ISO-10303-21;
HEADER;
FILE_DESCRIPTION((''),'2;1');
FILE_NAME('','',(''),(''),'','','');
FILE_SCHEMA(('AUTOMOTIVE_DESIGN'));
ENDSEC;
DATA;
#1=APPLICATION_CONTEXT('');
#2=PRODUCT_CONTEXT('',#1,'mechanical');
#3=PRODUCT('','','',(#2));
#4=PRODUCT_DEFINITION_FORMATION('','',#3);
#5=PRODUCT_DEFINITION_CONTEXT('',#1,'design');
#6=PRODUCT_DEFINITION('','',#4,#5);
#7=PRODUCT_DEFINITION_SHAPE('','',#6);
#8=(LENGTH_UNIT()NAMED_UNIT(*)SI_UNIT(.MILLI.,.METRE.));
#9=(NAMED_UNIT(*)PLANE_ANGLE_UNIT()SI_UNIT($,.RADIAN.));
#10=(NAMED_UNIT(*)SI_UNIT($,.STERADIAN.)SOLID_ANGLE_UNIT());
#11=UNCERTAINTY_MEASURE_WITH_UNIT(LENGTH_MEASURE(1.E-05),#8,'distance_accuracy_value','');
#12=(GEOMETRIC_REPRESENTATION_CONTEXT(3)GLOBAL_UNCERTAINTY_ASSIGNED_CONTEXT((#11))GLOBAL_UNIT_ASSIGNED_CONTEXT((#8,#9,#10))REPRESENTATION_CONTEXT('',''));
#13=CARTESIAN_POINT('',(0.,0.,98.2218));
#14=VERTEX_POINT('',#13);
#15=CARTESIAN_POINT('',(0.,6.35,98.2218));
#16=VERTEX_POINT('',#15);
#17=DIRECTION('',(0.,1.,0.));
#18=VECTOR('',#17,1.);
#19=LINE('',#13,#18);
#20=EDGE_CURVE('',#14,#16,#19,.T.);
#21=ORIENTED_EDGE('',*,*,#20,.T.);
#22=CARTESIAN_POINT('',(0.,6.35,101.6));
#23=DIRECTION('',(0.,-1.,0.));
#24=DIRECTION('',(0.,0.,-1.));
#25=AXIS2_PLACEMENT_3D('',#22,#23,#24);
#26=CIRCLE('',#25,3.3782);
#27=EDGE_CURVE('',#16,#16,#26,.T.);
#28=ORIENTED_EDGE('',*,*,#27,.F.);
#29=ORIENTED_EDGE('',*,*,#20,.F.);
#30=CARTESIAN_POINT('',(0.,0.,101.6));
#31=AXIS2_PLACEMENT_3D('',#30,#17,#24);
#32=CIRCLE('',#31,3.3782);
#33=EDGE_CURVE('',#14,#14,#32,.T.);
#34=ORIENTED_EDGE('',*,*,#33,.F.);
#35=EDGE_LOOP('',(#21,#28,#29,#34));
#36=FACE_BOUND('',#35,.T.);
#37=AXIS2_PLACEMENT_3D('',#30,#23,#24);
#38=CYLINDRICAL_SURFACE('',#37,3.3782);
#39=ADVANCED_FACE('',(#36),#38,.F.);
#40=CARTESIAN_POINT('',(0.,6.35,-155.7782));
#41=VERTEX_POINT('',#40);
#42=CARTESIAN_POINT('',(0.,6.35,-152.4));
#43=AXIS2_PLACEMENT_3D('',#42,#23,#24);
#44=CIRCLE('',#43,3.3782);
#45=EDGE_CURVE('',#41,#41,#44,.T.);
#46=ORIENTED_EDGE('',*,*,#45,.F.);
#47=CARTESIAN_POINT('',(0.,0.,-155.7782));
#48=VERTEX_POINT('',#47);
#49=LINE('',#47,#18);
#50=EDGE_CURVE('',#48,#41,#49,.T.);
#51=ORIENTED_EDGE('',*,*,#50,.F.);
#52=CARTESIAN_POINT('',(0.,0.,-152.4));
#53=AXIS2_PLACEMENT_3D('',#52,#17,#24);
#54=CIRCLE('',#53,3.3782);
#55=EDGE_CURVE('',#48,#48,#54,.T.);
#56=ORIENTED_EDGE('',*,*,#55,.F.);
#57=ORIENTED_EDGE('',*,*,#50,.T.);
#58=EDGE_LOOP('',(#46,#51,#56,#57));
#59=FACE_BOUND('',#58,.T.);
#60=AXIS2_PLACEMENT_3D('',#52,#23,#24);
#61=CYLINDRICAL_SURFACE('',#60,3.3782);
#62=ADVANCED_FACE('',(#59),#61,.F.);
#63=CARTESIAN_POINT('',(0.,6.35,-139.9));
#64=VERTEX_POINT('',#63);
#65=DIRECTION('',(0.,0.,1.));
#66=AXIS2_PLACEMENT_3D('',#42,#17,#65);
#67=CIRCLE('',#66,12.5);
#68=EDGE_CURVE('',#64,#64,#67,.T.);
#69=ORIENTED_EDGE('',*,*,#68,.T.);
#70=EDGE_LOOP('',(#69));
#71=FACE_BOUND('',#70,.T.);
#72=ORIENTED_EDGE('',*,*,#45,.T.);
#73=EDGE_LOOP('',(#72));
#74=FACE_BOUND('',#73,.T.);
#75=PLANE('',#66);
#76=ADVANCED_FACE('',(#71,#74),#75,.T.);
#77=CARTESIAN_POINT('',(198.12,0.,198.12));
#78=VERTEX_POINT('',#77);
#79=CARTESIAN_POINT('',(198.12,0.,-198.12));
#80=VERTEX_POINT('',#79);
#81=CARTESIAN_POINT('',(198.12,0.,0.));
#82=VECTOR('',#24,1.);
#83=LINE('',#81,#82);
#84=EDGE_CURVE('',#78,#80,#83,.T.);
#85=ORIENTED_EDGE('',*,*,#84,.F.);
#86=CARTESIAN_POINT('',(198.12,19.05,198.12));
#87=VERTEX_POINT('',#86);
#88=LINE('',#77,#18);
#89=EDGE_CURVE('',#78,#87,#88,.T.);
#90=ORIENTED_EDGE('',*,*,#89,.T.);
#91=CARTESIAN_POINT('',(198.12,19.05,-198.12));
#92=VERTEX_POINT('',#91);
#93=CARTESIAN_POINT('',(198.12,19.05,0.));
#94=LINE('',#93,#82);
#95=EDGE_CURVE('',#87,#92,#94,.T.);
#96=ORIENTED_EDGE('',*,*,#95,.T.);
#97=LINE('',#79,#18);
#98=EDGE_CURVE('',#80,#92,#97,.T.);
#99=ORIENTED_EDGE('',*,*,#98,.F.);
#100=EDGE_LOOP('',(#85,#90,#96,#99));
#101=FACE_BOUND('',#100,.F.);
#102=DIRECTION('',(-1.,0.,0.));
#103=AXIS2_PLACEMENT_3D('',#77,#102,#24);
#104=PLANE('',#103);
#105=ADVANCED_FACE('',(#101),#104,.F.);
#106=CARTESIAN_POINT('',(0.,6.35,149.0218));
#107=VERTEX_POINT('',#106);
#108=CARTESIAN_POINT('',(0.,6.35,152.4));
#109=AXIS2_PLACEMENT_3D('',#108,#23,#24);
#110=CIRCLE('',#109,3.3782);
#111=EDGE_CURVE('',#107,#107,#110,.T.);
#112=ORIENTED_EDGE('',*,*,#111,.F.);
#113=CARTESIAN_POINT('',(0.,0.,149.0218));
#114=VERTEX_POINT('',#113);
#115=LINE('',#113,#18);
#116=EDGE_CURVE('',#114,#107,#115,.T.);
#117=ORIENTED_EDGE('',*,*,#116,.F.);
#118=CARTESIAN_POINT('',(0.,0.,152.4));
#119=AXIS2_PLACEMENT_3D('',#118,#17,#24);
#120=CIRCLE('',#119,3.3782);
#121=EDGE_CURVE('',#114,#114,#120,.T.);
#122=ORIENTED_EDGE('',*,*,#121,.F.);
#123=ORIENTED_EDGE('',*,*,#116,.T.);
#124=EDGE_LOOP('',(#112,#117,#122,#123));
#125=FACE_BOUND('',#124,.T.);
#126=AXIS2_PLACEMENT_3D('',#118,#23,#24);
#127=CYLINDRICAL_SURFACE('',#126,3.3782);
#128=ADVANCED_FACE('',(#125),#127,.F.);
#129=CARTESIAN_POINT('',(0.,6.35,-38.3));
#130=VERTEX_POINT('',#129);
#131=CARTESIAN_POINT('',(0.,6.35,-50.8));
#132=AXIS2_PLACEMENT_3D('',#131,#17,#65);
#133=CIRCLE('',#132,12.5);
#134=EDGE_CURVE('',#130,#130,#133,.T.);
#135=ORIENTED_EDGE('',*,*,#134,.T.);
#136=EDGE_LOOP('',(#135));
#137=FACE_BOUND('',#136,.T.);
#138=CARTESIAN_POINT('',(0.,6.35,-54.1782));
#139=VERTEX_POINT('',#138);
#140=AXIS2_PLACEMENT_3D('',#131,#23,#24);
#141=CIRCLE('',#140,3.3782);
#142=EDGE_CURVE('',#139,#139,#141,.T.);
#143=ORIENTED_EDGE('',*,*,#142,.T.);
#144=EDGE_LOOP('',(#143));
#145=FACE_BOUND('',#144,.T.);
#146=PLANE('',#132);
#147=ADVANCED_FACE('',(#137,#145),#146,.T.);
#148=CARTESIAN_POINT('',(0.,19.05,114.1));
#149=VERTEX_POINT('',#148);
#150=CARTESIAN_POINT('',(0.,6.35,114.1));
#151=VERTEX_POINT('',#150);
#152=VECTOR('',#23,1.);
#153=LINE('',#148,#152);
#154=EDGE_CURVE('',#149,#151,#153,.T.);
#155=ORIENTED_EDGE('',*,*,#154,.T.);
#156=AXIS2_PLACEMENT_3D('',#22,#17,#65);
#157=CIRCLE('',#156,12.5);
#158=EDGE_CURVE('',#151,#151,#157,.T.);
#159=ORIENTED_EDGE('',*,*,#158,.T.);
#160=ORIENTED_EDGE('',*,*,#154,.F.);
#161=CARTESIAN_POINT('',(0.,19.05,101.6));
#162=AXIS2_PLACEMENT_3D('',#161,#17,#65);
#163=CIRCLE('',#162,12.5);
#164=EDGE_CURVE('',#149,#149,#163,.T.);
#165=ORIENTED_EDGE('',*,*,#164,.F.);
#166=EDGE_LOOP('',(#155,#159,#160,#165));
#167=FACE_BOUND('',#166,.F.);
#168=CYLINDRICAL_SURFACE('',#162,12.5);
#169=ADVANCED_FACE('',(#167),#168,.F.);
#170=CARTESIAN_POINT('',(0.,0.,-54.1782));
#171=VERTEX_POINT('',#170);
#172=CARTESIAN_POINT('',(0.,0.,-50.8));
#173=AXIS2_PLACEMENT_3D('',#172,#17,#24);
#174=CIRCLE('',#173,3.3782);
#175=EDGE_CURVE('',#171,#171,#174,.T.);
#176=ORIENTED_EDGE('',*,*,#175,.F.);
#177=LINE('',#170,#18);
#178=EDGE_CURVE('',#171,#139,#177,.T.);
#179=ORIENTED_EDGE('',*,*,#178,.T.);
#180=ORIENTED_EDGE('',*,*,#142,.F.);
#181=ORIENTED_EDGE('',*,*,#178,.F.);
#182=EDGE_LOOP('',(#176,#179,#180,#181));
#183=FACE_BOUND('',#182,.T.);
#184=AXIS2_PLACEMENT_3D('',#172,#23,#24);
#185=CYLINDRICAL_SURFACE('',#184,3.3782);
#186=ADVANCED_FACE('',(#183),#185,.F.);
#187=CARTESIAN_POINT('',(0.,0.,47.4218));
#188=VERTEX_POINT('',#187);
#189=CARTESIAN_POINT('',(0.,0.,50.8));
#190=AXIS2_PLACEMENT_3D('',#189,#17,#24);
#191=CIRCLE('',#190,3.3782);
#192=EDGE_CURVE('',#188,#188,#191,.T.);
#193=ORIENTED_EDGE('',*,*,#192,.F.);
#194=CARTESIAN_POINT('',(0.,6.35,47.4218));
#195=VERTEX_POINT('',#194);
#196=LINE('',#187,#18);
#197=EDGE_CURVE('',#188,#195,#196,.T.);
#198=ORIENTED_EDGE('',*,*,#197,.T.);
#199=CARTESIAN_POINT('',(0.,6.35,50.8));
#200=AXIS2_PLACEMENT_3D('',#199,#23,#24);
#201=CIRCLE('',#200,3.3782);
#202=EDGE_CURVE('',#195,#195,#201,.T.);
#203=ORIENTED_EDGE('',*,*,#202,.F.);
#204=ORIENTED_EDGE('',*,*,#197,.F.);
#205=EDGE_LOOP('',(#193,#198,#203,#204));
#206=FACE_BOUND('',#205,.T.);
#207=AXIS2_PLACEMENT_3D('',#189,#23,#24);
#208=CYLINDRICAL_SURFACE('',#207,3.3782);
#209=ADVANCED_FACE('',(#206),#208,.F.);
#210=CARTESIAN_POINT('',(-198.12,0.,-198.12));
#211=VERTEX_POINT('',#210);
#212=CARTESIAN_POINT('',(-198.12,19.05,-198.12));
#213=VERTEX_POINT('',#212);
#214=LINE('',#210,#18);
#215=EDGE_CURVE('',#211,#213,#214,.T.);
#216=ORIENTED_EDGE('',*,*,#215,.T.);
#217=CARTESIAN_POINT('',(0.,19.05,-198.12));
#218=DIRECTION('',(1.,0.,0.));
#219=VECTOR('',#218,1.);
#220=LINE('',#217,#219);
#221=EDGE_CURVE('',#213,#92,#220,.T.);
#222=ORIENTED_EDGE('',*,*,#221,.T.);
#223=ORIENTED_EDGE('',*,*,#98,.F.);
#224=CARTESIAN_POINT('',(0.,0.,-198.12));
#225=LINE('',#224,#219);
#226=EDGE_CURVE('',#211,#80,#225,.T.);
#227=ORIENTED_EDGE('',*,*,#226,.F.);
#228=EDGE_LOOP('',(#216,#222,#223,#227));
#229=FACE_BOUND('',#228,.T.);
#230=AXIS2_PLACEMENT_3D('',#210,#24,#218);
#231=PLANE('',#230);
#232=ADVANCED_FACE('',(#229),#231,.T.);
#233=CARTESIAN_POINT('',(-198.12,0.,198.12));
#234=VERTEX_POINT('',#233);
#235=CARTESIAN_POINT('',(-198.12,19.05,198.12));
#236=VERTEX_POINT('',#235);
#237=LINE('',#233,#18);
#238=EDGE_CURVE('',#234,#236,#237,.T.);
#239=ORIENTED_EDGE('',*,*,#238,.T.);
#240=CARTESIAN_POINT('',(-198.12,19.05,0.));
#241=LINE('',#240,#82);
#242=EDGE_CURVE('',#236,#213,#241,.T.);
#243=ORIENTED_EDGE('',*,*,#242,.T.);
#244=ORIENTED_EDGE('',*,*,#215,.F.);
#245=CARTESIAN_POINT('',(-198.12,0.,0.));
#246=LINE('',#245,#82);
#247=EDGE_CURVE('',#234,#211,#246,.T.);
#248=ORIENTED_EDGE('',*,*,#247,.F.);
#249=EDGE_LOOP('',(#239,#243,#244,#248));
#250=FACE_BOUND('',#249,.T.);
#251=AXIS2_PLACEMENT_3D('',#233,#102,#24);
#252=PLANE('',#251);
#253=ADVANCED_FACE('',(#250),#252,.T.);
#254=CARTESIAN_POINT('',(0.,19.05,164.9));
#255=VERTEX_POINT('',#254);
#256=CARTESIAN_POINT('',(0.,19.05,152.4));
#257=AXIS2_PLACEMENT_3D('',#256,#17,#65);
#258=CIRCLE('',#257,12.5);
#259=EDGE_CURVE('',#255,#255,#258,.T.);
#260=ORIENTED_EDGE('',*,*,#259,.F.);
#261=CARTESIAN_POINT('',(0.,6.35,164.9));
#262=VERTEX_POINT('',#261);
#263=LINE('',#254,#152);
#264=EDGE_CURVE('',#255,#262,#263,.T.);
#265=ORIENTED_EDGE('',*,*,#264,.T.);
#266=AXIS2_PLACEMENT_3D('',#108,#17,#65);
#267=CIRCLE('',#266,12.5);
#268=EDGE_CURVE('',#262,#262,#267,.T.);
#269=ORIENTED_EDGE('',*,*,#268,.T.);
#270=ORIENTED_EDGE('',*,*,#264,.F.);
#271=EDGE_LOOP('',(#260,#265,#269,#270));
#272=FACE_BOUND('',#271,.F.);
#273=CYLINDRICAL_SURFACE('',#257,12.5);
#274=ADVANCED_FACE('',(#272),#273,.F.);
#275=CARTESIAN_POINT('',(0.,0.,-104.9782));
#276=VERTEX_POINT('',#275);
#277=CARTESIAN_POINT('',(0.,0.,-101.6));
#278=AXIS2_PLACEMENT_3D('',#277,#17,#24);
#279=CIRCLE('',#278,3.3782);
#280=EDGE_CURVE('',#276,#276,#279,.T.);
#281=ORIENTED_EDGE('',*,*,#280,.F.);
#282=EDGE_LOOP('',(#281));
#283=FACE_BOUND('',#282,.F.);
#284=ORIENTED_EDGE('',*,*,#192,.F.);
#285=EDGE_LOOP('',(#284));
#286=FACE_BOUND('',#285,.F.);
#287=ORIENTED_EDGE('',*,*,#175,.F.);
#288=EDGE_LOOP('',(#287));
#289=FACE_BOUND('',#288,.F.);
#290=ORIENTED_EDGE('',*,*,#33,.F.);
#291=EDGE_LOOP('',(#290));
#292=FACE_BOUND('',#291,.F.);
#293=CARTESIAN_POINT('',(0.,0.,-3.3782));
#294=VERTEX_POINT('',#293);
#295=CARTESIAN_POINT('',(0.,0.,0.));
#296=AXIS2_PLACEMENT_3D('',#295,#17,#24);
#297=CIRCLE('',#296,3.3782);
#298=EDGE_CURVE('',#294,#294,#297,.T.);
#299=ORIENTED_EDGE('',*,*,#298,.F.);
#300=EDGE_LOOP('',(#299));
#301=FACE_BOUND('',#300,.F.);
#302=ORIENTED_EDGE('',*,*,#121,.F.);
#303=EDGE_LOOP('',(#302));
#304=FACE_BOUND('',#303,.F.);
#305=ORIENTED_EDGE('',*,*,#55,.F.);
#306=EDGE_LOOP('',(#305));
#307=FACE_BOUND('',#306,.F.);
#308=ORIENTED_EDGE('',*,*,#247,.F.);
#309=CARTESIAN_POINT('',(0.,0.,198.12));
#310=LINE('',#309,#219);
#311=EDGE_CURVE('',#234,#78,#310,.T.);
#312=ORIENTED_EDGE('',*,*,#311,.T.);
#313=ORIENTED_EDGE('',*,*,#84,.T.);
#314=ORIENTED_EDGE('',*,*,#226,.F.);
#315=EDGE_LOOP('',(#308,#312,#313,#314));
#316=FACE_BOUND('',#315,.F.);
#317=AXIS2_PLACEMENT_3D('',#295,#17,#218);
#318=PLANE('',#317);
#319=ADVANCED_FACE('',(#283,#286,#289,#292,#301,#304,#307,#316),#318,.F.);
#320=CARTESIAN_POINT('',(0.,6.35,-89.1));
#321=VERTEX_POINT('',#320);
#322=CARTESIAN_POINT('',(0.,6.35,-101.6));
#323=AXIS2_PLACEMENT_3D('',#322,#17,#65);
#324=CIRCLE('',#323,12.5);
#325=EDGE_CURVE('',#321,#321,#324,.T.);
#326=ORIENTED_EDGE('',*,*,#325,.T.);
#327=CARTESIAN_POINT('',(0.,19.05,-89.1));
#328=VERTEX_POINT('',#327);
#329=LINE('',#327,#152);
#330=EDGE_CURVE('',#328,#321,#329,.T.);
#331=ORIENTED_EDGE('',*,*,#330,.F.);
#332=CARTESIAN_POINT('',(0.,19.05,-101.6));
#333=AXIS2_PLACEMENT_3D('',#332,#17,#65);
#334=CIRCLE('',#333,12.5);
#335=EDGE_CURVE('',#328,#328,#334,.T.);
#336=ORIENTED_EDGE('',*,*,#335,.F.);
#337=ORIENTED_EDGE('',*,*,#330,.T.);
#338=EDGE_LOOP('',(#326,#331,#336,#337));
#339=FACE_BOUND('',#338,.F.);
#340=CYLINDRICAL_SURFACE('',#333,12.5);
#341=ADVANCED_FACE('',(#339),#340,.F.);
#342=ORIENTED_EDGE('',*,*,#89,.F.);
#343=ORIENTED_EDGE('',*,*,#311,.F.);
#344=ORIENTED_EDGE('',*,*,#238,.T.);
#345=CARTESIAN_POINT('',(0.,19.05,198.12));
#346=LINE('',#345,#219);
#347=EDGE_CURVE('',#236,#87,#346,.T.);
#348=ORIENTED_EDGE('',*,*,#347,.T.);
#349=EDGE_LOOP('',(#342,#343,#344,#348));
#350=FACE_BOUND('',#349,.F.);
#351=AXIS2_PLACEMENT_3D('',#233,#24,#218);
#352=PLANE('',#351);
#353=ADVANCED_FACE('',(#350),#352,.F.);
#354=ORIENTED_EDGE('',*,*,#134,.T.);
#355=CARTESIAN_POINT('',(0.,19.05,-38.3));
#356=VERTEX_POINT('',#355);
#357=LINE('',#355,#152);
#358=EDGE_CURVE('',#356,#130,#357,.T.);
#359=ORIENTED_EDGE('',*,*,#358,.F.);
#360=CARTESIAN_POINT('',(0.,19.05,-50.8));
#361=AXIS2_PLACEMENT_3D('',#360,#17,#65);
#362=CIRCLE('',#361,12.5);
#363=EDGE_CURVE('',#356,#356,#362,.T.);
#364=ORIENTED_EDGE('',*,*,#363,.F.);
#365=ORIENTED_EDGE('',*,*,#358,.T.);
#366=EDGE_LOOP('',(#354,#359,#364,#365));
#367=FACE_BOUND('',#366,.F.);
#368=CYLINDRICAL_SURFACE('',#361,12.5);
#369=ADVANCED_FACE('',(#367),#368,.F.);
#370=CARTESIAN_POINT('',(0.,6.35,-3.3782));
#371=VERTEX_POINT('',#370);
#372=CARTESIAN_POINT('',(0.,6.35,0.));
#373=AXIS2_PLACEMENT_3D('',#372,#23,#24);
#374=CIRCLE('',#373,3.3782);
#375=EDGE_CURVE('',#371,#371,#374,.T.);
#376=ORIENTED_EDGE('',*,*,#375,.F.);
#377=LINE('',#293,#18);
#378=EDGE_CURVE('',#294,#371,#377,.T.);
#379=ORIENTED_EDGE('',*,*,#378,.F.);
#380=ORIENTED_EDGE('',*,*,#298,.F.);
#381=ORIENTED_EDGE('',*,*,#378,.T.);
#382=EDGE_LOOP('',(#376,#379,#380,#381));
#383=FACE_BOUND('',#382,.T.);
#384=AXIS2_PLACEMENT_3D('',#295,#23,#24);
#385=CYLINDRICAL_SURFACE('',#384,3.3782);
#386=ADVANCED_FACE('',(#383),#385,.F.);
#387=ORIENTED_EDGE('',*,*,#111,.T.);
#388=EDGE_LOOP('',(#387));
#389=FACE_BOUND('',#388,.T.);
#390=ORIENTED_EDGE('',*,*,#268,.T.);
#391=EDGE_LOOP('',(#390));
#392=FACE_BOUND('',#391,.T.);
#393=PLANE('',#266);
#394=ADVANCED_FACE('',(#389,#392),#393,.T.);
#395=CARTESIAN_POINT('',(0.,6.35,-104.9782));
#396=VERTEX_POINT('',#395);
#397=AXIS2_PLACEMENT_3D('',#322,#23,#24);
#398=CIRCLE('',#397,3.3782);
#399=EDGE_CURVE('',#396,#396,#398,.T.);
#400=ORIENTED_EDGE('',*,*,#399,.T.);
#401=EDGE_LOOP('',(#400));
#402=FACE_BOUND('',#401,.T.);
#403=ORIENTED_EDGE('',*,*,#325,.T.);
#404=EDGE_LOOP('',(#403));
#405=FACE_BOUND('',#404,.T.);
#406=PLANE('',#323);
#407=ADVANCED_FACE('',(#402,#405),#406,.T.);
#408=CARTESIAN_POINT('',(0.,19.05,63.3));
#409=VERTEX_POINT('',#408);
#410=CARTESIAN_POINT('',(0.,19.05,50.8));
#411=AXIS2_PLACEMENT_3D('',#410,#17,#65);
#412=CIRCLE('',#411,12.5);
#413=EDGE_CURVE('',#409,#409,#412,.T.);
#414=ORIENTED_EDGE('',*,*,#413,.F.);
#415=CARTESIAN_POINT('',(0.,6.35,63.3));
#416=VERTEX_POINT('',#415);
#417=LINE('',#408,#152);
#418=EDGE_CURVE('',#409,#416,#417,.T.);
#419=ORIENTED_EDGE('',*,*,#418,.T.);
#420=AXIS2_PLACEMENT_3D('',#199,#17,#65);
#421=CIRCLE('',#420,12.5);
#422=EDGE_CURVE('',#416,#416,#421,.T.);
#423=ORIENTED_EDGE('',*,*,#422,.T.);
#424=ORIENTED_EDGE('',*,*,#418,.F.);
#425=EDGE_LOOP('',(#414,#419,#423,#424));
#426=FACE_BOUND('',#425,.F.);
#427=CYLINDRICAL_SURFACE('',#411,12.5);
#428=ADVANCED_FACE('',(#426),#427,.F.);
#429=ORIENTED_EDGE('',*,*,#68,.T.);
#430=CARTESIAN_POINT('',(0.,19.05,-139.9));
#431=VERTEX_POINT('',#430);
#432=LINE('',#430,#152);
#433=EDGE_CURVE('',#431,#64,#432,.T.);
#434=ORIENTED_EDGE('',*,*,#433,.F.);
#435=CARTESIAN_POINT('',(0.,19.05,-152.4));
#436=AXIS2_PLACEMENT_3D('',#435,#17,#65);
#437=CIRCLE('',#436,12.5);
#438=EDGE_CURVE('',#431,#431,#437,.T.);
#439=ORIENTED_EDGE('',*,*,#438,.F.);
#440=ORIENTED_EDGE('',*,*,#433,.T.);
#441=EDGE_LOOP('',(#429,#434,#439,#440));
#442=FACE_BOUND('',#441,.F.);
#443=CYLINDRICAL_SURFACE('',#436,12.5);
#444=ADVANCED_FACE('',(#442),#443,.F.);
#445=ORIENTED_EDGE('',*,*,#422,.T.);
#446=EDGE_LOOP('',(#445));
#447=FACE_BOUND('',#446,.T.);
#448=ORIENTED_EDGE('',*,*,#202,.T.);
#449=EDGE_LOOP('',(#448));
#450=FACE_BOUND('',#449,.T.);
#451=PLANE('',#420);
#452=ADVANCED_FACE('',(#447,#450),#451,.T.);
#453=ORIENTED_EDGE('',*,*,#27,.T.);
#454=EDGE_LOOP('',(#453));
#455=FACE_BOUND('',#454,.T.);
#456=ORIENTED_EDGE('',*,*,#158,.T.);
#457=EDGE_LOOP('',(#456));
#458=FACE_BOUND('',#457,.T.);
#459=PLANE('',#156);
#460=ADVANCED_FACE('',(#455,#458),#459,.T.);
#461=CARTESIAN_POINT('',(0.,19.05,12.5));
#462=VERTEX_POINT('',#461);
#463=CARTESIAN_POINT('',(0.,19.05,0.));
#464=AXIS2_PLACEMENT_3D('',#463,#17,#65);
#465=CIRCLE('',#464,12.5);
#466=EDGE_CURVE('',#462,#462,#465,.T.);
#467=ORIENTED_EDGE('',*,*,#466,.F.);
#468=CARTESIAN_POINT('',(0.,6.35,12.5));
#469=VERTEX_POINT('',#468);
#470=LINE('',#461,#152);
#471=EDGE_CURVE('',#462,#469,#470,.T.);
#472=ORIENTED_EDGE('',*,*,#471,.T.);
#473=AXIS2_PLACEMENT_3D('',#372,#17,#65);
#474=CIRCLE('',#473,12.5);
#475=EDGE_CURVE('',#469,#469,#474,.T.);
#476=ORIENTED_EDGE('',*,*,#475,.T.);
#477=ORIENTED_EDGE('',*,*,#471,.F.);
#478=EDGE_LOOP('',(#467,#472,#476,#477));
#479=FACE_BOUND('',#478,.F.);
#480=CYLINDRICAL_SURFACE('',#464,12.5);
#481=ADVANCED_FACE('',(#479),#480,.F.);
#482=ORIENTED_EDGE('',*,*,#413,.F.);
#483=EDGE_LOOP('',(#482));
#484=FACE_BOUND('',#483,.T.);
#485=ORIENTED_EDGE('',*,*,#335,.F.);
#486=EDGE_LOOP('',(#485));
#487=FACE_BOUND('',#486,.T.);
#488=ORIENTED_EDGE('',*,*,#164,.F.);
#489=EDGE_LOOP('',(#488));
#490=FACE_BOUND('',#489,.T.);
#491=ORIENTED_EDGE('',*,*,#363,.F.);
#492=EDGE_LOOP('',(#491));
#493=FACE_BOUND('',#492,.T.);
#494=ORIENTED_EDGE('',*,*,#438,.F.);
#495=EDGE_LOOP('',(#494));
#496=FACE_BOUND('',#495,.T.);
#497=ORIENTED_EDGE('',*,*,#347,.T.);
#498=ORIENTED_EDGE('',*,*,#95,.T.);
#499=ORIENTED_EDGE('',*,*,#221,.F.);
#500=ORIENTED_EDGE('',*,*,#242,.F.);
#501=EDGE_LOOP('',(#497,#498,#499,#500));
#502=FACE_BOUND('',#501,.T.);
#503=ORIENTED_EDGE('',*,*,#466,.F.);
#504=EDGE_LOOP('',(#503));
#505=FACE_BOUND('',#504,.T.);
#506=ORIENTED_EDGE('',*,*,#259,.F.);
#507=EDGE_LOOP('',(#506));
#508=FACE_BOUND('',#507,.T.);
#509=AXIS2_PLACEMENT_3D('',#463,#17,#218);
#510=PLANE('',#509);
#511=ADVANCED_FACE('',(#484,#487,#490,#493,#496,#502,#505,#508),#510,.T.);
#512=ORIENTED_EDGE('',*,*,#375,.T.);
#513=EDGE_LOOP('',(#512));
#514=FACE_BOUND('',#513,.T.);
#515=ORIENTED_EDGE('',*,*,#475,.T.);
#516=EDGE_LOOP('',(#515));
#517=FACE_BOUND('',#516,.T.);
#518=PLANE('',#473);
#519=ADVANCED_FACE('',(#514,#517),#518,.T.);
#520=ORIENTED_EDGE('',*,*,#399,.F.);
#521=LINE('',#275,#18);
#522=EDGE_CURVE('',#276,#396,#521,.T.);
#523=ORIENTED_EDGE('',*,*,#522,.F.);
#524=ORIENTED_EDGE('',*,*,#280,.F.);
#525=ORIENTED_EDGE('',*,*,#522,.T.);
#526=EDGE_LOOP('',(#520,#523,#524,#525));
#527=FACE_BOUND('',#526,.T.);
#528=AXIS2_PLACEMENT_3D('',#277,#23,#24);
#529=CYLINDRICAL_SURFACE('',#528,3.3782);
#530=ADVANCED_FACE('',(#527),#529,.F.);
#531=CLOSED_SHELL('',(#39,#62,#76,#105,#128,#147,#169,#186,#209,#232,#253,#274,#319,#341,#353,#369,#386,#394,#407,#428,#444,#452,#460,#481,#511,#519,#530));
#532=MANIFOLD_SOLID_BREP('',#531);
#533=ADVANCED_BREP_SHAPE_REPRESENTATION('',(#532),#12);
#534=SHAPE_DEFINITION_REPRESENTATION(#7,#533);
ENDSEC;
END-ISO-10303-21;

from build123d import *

# Parameters (mm, degrees)
SKETCH2_W         = 396.24
SKETCH2_H         = 396.24
SKETCH2_R         = 3.3782
BOLT_HOLES_DEPTH  = 19.05
SKETCH3_R         = 12.5
COUNTERBORE_DEPTH = 12.7


with BuildPart() as part:
    # Sketch2 → Bolt Holes (new body)
    with BuildSketch(Plane(origin=(0, 0, 0), x_dir=(1, 0, 0), z_dir=(0, 1, 0))):
        Rectangle(SKETCH2_W, SKETCH2_H)
        with Locations(Location((0, 0, 0), (0, 0, 90))):
            Circle(SKETCH2_R, mode=Mode.SUBTRACT)
        with Locations(Location((0, 50.8, 0), (0, 0, 90))):
            Circle(SKETCH2_R, mode=Mode.SUBTRACT)
        with Locations(Location((0, 101.6, 0), (0, 0, 90))):
            Circle(SKETCH2_R, mode=Mode.SUBTRACT)
        with Locations(Location((0, 152.4, 0), (0, 0, 90))):
            Circle(SKETCH2_R, mode=Mode.SUBTRACT)
        with Locations(Location((0, -50.8, 0), (0, 0, 90))):
            Circle(SKETCH2_R, mode=Mode.SUBTRACT)
        with Locations(Location((0, -101.6, 0), (0, 0, 90))):
            Circle(SKETCH2_R, mode=Mode.SUBTRACT)
        with Locations(Location((0, -152.4, 0), (0, 0, 90))):
            Circle(SKETCH2_R, mode=Mode.SUBTRACT)
    extrude(amount=BOLT_HOLES_DEPTH)

    # Sketch3 → Counterbore (cut)
    with BuildSketch(Plane(origin=(0, 19.05, 0), x_dir=(1, 0, 0), z_dir=(0, 1, 0))):
        with Locations(Location((0, -50.8, 0), (0, 0, 270))):
            Circle(SKETCH3_R)
        with Locations(Location((0, 0, 0), (0, 0, 270))):
            Circle(SKETCH3_R)
        with Locations(Location((0, -101.6, 0), (0, 0, 270))):
            Circle(SKETCH3_R)
        with Locations(Location((0, 50.8, 0), (0, 0, 270))):
            Circle(SKETCH3_R)
        with Locations(Location((0, 101.6, 0), (0, 0, 270))):
            Circle(SKETCH3_R)
        with Locations(Location((0, 152.4, 0), (0, 0, 270))):
            Circle(SKETCH3_R)
        with Locations(Location((0, -152.4, 0), (0, 0, 270))):
            Circle(SKETCH3_R)
    extrude(amount=-COUNTERBORE_DEPTH, mode=Mode.SUBTRACT)


solid = part.part
